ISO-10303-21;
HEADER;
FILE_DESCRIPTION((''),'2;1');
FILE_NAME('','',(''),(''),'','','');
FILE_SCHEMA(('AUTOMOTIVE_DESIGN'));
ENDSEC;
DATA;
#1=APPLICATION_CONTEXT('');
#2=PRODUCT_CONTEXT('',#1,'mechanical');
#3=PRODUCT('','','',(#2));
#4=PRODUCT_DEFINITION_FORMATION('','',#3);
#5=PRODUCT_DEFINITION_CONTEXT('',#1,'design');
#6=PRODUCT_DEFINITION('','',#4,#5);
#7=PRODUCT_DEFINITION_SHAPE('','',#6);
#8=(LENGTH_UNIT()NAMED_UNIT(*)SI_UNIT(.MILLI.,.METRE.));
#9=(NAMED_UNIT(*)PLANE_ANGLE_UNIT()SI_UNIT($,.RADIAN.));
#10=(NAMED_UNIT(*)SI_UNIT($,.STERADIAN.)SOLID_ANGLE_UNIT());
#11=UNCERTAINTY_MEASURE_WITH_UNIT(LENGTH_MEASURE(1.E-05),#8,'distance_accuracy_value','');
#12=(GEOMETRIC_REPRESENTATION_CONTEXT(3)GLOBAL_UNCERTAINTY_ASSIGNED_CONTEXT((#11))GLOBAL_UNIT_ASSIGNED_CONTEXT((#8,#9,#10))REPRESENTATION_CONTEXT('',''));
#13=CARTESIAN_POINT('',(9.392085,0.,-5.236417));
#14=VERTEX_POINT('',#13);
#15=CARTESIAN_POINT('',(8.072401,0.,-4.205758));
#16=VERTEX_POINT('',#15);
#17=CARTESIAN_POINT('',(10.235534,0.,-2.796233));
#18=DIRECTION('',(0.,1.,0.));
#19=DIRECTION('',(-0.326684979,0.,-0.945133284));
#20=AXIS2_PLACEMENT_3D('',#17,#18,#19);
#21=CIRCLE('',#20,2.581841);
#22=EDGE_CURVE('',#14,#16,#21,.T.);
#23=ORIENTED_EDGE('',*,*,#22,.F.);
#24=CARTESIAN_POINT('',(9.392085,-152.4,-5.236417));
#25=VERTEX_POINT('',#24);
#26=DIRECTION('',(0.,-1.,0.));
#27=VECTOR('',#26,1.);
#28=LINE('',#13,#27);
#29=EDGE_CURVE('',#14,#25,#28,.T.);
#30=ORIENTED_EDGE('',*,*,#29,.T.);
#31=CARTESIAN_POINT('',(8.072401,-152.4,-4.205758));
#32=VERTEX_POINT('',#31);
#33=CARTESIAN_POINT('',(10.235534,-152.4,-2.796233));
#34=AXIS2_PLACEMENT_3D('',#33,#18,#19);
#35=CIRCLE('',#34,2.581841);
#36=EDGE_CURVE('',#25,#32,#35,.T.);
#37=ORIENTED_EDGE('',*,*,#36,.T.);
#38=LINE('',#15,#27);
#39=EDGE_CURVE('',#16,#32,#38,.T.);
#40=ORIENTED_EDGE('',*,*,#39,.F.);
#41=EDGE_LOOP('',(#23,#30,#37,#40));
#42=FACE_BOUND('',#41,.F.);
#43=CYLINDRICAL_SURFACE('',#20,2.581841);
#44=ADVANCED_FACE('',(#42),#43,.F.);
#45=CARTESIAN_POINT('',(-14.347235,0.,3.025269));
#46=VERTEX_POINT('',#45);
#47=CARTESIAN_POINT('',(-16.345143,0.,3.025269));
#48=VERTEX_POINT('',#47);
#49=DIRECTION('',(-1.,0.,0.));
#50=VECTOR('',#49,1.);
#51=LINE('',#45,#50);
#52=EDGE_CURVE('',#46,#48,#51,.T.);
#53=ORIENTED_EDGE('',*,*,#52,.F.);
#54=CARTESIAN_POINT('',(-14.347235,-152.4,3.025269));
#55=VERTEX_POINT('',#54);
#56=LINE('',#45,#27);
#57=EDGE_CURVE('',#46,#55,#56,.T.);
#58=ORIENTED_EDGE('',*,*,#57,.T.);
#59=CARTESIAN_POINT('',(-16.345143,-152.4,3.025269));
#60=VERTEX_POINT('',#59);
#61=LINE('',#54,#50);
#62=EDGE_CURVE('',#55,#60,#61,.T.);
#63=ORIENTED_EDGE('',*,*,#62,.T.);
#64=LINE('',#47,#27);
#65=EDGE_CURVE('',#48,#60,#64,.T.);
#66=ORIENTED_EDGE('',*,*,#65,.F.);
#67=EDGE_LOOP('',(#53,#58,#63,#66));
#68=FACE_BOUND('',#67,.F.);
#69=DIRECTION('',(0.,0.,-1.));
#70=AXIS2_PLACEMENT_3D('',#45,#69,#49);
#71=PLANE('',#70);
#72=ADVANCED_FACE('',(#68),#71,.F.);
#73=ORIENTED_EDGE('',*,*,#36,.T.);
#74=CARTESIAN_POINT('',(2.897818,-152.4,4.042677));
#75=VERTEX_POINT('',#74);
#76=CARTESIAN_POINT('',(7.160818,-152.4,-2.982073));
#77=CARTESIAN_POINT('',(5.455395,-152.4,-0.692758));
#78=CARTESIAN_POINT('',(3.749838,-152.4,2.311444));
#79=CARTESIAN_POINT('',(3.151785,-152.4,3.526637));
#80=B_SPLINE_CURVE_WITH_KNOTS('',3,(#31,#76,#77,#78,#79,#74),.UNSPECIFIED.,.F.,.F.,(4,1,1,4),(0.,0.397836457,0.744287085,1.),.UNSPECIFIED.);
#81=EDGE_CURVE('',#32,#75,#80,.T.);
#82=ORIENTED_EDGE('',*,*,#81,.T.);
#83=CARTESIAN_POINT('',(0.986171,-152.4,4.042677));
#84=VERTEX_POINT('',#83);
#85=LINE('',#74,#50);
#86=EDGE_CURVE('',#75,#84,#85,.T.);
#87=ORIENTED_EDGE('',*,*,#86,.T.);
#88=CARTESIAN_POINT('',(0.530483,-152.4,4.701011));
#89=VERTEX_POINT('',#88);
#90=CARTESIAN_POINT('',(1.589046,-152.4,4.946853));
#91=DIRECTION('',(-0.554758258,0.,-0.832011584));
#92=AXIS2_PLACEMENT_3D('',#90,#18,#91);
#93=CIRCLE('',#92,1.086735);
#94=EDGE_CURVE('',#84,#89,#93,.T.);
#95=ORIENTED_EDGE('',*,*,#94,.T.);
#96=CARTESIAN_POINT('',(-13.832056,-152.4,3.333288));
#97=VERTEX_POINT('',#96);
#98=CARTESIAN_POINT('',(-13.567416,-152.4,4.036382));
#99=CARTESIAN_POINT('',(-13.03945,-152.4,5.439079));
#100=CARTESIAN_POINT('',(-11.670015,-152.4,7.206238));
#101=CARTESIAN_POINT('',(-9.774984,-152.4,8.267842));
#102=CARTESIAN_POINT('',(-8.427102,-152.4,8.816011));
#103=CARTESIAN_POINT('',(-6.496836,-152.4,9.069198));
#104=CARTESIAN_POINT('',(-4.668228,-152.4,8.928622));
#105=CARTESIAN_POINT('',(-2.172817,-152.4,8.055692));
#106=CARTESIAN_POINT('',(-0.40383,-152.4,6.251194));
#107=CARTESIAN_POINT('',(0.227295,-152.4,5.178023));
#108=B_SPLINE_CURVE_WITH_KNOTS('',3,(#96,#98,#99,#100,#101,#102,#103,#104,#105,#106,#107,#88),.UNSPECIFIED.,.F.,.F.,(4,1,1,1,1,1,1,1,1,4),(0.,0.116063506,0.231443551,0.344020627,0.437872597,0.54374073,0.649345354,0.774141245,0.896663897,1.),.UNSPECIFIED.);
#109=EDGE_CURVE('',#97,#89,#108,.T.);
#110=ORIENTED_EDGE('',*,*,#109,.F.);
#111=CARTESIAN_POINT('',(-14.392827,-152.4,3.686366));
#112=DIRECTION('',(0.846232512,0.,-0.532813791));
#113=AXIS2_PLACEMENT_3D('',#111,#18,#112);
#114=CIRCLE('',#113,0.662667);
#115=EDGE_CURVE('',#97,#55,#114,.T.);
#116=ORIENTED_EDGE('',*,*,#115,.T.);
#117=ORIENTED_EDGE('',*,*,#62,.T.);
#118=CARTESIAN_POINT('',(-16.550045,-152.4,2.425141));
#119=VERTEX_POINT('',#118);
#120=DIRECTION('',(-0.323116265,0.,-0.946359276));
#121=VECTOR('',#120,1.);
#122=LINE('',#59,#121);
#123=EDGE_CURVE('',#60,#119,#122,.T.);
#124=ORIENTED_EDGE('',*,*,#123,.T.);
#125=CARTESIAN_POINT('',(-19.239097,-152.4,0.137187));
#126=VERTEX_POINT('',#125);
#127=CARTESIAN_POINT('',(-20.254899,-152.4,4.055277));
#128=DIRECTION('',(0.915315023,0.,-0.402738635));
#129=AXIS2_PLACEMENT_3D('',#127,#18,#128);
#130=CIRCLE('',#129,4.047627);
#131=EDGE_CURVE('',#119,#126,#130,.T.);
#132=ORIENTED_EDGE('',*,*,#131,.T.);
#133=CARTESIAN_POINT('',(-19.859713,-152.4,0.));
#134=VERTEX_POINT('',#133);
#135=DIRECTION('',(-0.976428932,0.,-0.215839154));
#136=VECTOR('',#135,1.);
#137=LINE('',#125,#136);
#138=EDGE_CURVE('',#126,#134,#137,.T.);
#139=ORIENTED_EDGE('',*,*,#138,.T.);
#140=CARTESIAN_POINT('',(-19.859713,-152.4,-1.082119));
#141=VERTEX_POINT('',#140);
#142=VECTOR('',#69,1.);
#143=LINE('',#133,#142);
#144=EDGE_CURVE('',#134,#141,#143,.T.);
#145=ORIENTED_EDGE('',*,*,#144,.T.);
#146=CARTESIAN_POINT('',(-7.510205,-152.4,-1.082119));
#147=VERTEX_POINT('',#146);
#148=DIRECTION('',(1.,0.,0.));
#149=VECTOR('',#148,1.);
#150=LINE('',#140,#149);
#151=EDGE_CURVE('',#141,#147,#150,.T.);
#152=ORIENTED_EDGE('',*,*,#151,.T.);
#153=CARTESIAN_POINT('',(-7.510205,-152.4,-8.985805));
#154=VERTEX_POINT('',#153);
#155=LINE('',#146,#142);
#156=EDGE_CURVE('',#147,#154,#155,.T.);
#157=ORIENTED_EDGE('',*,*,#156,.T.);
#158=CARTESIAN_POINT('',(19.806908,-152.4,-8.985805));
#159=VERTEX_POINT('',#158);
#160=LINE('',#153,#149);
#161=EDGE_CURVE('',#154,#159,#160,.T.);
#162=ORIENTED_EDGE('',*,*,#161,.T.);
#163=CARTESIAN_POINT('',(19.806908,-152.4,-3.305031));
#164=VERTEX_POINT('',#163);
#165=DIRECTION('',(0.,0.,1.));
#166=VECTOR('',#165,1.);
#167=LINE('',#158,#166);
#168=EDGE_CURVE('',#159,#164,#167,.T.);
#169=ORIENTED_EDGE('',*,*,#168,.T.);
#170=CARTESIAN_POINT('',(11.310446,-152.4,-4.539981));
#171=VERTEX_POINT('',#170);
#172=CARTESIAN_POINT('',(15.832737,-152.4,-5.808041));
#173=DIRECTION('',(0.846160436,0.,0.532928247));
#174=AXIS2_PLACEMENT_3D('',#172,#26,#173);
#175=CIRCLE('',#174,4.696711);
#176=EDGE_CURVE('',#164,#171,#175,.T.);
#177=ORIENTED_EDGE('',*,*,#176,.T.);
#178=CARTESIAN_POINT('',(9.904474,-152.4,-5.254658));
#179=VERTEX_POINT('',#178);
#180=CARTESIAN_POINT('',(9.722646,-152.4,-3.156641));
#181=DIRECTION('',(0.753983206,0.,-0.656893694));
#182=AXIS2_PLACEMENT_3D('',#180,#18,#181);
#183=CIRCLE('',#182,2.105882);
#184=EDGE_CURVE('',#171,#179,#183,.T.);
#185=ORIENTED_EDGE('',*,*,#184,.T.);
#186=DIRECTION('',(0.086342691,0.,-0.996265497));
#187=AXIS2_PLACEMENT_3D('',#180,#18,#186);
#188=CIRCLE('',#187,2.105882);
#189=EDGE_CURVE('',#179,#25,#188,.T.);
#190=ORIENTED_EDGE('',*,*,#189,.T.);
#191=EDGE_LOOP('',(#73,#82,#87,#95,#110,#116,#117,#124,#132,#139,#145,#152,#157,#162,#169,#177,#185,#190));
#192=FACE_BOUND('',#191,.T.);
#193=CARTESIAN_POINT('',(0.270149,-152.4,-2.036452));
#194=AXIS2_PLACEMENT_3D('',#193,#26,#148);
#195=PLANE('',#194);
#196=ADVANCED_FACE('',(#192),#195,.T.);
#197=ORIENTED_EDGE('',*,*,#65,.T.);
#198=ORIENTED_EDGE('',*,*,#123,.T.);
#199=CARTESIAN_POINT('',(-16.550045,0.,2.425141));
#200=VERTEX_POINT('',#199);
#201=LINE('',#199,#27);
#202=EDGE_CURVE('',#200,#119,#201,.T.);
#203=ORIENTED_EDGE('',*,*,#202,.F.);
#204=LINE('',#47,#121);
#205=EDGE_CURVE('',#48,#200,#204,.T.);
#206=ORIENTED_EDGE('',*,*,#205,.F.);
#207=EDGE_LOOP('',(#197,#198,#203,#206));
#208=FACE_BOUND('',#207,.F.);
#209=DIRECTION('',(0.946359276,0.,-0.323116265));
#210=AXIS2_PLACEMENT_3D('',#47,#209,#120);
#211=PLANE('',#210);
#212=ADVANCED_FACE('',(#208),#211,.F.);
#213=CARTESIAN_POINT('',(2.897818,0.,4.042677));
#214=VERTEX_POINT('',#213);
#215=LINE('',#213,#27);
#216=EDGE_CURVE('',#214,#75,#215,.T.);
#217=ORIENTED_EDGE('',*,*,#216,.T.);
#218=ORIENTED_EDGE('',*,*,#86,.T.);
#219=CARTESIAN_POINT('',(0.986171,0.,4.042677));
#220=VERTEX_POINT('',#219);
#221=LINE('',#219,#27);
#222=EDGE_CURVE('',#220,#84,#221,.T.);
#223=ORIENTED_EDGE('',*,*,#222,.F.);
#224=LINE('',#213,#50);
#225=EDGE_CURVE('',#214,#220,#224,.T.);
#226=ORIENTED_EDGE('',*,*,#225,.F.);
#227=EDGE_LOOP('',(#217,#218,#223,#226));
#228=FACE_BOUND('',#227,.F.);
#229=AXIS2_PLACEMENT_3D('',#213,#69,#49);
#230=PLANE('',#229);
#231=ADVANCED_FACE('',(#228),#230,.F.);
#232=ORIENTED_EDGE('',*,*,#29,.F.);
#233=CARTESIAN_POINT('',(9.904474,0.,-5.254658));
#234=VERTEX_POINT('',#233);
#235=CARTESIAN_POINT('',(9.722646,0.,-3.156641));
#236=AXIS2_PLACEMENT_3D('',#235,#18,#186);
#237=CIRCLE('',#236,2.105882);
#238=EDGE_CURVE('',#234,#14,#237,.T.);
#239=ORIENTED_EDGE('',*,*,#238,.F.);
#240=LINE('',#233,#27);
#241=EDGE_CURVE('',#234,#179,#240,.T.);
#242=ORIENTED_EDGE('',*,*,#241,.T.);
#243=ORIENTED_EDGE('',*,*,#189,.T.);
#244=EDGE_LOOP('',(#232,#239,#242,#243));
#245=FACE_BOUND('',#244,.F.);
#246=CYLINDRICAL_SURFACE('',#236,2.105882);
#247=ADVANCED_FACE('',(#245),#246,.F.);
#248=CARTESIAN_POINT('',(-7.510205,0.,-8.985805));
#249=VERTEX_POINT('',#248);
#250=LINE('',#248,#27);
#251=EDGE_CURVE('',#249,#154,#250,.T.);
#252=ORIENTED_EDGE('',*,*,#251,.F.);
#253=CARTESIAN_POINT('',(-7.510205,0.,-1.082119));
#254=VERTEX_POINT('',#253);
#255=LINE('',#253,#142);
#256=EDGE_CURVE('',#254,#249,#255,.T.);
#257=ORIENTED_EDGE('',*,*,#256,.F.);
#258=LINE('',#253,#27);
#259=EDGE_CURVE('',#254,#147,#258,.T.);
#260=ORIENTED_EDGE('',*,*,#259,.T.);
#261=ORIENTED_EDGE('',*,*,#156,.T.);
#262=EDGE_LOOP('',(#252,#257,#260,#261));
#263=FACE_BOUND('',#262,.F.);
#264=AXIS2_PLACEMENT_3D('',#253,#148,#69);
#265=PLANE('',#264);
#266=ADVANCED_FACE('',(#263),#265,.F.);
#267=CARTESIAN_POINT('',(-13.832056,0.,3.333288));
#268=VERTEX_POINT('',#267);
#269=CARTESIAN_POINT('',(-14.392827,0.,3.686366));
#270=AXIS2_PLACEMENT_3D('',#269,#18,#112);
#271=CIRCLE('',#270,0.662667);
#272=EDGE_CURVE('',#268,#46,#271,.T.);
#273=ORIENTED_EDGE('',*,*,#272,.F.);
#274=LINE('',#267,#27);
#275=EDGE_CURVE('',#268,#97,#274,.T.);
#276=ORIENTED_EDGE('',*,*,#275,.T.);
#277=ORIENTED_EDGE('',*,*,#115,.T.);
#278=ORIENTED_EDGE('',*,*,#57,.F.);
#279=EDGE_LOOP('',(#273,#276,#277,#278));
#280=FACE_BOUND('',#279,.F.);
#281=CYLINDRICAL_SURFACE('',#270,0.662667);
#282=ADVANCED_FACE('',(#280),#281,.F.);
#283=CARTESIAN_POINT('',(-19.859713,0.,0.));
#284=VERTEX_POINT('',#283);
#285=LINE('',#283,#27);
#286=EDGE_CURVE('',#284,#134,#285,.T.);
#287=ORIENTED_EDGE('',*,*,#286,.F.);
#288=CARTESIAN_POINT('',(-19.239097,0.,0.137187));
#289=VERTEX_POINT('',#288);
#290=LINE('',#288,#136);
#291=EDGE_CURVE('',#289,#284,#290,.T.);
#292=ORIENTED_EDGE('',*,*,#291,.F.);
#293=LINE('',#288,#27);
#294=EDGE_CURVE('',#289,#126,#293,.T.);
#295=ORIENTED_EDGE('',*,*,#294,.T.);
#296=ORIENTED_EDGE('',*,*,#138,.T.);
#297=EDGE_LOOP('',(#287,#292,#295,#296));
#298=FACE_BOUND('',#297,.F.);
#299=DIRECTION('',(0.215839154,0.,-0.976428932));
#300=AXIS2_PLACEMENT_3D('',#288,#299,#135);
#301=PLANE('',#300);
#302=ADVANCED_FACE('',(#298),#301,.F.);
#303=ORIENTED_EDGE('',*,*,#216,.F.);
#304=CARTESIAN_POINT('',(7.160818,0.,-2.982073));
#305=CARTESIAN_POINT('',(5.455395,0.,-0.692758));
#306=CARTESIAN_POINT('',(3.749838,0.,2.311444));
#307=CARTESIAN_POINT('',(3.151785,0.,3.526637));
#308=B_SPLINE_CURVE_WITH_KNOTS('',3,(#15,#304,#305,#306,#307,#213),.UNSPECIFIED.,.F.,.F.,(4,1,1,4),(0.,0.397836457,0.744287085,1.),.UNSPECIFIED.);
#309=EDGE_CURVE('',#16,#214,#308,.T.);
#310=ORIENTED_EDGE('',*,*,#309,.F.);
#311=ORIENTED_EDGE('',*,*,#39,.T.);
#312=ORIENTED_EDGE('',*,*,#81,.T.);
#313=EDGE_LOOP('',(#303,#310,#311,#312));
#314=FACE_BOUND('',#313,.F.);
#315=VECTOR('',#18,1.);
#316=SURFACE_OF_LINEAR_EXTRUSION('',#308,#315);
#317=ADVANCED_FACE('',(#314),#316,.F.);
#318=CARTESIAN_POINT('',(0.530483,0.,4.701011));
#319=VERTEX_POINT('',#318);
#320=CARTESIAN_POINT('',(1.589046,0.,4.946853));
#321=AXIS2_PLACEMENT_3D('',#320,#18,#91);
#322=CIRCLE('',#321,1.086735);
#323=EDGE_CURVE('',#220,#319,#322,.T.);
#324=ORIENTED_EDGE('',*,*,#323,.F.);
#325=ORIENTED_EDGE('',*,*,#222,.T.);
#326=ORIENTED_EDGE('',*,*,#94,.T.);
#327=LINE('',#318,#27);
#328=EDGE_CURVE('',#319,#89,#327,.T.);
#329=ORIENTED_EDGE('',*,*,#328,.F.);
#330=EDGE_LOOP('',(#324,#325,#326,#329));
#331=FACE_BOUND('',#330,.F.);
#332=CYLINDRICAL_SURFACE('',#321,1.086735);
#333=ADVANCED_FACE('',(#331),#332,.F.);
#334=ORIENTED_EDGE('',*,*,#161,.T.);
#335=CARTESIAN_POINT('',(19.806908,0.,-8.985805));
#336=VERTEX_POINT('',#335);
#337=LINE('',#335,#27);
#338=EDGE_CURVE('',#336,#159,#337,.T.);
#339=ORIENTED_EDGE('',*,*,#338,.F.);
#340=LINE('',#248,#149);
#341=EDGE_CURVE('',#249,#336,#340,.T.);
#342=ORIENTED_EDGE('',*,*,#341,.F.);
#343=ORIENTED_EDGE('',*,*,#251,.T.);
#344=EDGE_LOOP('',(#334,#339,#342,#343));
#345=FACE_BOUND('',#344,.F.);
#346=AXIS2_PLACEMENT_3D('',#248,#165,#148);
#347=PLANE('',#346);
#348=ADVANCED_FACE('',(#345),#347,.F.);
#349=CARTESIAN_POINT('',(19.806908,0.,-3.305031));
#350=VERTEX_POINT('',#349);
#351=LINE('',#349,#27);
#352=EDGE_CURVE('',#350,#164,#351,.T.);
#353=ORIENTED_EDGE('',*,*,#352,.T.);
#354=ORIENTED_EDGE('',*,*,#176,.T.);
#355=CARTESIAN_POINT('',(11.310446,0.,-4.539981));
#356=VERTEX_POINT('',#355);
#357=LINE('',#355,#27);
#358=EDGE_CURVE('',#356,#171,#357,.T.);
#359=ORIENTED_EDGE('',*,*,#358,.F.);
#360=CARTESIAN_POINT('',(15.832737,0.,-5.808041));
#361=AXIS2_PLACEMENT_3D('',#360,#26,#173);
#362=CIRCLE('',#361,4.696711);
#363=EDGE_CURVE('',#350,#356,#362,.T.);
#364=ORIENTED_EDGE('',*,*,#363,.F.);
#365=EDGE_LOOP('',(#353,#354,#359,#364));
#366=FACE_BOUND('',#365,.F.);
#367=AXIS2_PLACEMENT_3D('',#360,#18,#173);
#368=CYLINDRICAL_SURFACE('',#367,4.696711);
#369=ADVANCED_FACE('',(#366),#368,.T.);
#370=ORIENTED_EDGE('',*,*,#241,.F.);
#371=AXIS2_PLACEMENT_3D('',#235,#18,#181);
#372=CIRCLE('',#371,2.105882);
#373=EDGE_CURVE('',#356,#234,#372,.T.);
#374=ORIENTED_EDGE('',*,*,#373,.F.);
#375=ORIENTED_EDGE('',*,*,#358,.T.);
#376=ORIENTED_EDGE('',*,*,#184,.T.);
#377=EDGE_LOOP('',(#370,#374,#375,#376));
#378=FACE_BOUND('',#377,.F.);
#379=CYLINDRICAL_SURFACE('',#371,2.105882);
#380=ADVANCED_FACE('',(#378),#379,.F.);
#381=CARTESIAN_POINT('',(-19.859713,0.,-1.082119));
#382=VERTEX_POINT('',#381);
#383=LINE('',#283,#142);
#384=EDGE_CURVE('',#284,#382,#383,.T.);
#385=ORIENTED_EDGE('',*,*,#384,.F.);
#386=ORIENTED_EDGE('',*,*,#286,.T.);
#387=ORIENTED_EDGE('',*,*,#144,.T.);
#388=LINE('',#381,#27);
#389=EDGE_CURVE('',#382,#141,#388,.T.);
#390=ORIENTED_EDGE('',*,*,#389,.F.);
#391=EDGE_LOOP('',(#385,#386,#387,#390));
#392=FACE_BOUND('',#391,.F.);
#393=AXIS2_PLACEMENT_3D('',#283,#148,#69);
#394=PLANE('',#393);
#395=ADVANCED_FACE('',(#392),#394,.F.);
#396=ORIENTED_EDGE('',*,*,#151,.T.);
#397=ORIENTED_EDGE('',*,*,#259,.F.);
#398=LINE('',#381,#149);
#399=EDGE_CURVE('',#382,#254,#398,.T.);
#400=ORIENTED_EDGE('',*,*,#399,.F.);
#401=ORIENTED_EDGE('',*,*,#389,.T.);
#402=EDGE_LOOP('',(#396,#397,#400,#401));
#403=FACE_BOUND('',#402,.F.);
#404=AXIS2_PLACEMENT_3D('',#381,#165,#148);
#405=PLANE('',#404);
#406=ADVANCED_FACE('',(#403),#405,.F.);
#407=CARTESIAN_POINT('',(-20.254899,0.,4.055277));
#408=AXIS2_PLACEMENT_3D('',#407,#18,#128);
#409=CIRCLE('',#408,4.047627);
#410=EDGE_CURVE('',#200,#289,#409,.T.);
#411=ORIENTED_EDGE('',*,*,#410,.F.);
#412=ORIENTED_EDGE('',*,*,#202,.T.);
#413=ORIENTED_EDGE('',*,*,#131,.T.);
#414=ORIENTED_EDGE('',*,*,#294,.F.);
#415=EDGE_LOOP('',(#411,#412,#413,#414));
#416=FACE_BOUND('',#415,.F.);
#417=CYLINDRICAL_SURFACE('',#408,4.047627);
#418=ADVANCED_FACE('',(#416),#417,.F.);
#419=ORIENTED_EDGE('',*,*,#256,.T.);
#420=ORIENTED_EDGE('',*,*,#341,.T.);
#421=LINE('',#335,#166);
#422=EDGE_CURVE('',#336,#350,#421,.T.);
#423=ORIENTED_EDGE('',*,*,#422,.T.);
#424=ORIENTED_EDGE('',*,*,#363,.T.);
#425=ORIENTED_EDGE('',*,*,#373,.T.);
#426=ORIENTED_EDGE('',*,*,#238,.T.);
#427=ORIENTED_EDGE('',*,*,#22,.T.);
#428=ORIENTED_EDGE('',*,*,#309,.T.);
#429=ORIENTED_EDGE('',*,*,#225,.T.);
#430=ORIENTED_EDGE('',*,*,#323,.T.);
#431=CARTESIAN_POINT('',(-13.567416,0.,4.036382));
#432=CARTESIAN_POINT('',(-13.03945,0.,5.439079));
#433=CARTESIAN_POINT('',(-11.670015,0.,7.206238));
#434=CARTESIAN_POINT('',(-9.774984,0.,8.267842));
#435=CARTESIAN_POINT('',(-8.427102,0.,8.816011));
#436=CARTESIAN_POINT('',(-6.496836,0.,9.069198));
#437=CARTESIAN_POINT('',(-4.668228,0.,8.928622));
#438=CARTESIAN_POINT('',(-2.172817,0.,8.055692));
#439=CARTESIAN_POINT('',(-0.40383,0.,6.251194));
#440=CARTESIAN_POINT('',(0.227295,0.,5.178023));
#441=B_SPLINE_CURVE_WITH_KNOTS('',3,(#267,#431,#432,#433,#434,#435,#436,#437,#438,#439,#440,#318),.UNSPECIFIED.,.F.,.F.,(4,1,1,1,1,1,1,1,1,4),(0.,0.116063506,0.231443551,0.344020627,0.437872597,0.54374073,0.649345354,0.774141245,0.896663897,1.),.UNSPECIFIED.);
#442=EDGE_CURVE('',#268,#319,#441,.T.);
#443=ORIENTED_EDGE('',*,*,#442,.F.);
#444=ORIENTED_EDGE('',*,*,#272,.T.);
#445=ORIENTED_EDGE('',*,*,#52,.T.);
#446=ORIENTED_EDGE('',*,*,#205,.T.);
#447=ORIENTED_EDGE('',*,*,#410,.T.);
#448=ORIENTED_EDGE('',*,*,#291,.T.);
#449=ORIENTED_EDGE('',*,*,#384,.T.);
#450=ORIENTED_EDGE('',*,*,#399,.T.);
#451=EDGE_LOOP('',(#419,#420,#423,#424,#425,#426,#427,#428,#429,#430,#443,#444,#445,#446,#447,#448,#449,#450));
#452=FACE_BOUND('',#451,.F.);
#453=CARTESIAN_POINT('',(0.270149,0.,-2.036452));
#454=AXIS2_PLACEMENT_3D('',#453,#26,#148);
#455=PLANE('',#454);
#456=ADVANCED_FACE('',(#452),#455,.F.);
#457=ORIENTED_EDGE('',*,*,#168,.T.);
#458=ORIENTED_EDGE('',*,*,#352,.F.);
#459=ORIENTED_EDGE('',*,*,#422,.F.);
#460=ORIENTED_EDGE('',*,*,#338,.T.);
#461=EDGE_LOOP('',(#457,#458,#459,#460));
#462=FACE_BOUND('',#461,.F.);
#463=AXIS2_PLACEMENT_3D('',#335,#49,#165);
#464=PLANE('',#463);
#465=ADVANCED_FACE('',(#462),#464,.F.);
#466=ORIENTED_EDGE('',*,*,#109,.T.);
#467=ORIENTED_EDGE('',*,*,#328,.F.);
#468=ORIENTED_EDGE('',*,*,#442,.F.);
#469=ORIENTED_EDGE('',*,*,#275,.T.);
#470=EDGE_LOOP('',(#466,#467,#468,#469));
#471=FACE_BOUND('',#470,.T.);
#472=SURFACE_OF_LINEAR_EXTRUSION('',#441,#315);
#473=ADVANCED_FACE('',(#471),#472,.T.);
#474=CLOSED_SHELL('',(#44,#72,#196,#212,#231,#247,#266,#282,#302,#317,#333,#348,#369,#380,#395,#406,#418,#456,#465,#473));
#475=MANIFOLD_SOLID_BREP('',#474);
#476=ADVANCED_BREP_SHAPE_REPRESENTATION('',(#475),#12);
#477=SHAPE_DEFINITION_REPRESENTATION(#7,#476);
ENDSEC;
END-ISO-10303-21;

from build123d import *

# Parameters (mm, degrees)
F1_DEPTH = 152.4


with BuildPart() as f1:
    # F0 (on Front) → F1 (new body)
    with BuildSketch(Plane.XZ):
        with BuildLine():
            Line((19.8069084436, -8.9858053252), (19.8069084436, -3.3050309867))
            ThreePointArc((19.8069084436, -3.3050309867), (15.1571749594, -1.1601694518), (11.3104460761, -4.5399814844))
            ThreePointArc((11.3104460761, -4.5399814844), (10.6768926166, -5.0339136924), (9.9044738541, -5.2546584943))
            ThreePointArc((9.9044738541, -5.2546584943), (9.6477223228, -5.2611896565), (9.3920852396, -5.2364169572))
            ThreePointArc((9.3920852396, -5.2364169572), (8.6463683892, -4.8310441428), (8.0724013437, -4.2057581521))
            add(Edge.make_bspline(
                [(8.0724013437, -4.2057581521), (7.1608183543, -2.9820731576), (5.4553953519, -0.6927582389), (3.7498376037, 2.3114444577), (3.1517848724, 3.5266368089), (2.8978176415, 4.04267665)],
                knots=[0, 0, 0, 0, 0.3978364574, 0.7442870846, 1, 1, 1, 1], degree=3))
            Line((2.8978176415, 4.04267665), (0.9861707222, 4.04267665))
            ThreePointArc((0.9861707222, 4.04267665), (0.6954883956, 4.3283482369), (0.5304833176, 4.7010113485))
            add(Edge.make_bspline(
                [(-13.8320559636, 3.3332875464), (-13.5674155601, 4.0363823338), (-13.0394501992, 5.4390789769), (-11.6700154855, 7.2062381499), (-9.7749837374, 8.2678424283), (-8.4271019856, 8.8160107723), (-6.4968361444, 9.069198167), (-4.6682281269, 8.9286221591), (-2.1728174562, 8.0556916568), (-0.4038300984, 6.2511939782), (0.2272949359, 5.1780230401), (0.5304833176, 4.7010113485)],
                knots=[0, 0, 0, 0, 0.116063506, 0.2314435513, 0.3440206273, 0.4378725973, 0.5437407299, 0.6493453544, 0.7741412451, 0.8966638971, 1, 1, 1, 1], degree=3))
            ThreePointArc((-13.8320559636, 3.3332875464), (-14.0527709948, 3.1176038576), (-14.3472345712, 3.0252687028))
            Line((-14.3472345712, 3.0252687028), (-16.3451433182, 3.0252687028))
            Line((-16.3451433182, 3.0252687028), (-16.5500454605, 2.4251409341))
            ThreePointArc((-16.5500454605, 2.4251409341), (-17.6319559735, 0.9725096977), (-19.2390973375, 0.1371867043))
            Line((-19.2390973375, 0.1371867043), (-19.8597125709, 0))
            Line((-19.8597125709, 0), (-19.8597125709, -1.0821194155))
            Line((-19.8597125709, -1.0821194155), (-7.5102047995, -1.0821194155))
            Line((-7.5102047995, -1.0821194155), (-7.5102047995, -8.9858053252))
            Line((-7.5102047995, -8.9858053252), (19.8069084436, -8.9858053252))
        make_face()
    extrude(amount=F1_DEPTH)


solid = f1.part
